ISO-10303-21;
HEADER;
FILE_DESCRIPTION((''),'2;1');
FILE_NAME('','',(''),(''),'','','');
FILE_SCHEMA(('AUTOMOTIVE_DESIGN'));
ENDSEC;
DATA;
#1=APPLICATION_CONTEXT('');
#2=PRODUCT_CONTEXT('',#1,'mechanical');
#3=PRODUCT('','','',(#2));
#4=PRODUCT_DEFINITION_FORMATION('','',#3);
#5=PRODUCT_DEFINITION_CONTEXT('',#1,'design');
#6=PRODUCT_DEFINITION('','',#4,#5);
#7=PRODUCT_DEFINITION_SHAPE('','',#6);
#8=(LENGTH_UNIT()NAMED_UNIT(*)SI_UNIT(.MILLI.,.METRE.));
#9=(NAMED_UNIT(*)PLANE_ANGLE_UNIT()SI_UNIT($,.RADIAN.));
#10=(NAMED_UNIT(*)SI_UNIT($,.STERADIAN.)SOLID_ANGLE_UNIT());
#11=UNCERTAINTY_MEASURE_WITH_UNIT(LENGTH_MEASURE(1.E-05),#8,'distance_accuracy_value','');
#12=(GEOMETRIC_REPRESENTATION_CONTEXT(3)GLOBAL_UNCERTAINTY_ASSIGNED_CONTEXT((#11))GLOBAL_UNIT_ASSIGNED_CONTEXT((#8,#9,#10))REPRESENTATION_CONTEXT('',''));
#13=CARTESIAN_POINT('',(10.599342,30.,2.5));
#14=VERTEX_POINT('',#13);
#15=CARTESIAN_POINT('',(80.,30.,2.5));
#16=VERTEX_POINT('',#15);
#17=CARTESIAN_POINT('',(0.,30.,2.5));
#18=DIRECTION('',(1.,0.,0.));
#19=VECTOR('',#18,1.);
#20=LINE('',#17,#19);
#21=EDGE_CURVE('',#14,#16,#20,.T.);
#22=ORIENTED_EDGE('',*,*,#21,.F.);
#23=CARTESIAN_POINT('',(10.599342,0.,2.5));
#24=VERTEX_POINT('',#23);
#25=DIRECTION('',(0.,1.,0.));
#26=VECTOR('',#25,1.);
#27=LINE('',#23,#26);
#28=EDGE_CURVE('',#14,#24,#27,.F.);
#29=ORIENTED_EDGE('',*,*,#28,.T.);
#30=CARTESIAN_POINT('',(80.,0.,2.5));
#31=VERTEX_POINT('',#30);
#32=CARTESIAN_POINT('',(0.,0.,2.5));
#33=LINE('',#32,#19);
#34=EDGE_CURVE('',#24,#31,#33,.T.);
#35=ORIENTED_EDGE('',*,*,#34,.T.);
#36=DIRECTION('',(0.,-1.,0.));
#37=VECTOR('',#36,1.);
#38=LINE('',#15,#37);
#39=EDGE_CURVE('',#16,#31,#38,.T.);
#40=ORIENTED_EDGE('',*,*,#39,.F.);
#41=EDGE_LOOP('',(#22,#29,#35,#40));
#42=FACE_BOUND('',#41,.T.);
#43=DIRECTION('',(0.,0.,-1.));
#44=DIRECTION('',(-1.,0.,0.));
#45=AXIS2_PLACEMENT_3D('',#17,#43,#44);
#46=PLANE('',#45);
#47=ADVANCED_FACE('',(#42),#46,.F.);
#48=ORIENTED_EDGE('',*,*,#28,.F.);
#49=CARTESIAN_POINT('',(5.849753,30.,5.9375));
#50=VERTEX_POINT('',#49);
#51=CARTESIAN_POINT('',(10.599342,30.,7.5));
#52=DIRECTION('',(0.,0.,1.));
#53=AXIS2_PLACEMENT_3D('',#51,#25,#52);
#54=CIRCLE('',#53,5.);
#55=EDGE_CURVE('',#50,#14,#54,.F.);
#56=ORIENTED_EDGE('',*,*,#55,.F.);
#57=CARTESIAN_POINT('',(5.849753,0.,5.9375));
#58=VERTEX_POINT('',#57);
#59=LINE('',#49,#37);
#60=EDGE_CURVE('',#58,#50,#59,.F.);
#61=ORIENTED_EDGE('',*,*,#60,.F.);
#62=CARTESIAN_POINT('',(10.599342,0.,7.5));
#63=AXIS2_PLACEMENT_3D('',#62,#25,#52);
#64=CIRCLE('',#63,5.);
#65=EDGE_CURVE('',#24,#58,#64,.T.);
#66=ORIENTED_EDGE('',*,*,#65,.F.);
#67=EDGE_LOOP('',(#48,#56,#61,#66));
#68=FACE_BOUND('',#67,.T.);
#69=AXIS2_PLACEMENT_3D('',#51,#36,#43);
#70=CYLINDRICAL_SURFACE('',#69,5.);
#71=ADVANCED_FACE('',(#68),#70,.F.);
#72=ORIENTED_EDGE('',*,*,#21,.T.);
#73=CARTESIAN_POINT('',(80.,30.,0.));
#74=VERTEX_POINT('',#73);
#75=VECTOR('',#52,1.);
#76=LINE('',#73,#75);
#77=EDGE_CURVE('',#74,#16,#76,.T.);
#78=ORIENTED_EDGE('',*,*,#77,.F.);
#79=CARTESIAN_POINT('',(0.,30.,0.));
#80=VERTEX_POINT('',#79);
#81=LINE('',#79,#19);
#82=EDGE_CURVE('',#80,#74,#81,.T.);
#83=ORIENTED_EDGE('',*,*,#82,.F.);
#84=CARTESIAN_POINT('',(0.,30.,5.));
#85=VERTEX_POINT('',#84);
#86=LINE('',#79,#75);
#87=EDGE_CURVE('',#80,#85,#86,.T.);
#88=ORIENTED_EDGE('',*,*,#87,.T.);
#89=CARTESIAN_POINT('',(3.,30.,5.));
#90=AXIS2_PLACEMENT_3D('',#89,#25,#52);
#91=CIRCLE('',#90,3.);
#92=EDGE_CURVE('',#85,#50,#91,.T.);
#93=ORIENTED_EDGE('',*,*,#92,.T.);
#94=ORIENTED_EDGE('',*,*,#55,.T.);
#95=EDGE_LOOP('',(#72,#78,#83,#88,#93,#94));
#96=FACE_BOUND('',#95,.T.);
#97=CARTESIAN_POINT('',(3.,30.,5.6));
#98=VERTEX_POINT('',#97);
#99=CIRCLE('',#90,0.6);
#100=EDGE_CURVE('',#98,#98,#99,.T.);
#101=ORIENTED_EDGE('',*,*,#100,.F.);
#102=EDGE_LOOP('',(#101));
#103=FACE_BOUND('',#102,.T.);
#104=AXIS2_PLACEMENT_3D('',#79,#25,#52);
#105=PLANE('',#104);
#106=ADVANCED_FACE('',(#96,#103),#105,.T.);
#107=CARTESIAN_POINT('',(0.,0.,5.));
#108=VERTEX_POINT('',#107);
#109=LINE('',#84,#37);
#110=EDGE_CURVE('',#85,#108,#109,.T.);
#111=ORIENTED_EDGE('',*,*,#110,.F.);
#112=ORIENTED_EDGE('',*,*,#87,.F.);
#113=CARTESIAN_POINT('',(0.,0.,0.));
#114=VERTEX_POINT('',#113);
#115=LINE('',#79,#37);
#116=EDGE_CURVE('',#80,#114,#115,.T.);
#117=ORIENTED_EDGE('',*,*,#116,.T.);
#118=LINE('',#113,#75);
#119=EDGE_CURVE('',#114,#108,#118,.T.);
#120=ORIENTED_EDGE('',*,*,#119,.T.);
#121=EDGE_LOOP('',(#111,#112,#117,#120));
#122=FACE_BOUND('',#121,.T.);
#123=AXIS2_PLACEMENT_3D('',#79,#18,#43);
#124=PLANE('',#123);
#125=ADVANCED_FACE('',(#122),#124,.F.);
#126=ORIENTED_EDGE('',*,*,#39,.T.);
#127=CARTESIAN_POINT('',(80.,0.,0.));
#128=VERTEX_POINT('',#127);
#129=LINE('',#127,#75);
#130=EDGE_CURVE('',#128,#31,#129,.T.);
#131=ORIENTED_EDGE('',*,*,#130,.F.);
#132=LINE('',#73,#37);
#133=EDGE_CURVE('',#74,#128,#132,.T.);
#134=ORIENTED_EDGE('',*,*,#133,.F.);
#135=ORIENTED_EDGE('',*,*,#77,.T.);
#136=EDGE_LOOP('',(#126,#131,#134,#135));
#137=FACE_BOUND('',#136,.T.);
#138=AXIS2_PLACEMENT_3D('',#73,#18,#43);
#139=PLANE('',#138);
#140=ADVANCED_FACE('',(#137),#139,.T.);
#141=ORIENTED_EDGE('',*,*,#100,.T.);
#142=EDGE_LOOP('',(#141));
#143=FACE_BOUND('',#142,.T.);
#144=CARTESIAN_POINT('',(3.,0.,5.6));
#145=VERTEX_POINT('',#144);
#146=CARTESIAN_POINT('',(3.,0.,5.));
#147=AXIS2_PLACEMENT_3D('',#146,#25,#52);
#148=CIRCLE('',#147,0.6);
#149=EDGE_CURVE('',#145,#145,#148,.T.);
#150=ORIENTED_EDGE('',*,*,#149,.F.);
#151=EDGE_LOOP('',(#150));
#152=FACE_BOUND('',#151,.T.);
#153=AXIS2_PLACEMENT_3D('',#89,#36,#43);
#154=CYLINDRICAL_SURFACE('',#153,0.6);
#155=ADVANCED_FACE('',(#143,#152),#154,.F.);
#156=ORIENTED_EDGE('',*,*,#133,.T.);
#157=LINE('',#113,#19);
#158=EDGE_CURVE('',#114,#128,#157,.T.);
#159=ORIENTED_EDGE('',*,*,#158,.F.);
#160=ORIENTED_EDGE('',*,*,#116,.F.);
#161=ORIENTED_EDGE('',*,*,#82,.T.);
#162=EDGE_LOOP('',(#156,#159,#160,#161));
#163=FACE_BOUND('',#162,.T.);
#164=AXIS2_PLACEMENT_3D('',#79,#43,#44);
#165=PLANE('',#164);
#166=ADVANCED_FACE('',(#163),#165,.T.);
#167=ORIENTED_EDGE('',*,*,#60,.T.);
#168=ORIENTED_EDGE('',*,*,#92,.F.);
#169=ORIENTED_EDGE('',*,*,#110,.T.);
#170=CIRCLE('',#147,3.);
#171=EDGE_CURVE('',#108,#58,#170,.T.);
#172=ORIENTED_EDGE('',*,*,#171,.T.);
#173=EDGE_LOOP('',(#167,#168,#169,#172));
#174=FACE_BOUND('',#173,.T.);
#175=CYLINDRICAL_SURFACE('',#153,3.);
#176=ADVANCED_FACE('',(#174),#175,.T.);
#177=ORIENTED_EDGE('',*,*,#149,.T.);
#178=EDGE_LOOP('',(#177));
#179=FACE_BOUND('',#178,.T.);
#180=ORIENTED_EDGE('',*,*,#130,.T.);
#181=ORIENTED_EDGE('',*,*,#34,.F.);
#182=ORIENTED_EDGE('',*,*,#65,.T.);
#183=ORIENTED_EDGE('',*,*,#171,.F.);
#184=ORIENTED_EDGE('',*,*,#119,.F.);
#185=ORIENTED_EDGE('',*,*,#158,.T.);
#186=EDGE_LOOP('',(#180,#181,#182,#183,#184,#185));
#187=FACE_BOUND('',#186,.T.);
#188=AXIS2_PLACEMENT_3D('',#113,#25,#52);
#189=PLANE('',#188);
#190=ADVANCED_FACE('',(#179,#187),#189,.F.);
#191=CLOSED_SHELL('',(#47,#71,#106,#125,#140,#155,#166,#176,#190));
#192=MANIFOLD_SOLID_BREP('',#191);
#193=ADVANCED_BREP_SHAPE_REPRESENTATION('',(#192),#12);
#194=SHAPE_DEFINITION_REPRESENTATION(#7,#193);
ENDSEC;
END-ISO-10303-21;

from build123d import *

# Parameters (mm, degrees)
BOSS_EXTRUDE1_DEPTH = 30
FILLET1_R           = 5


with BuildPart() as part:
    # Sketch1 → Boss-Extrude1 (new body)
    with BuildSketch(Plane(origin=(0, 0, 0), x_dir=(1, 0, 0), z_dir=(0, 1, 0))):
        with BuildLine():
            Line((80, 0), (3, 0))
            Line((3, 0), (3, -2))
            ThreePointArc((3, -2), (3.866025404, -2.127718677), (4.658312395, -2.5))
            Line((4.658312395, -2.5), (80, -2.5))
            Line((80, -2.5), (80, 0))
        make_face()
        with BuildLine():
            Line((3, -2), (3, 0))
            Line((3, 0), (0, 0))
            Line((0, 0), (0, -2.5))
            Line((0, -2.5), (1.341687605, -2.5))
            ThreePointArc((1.341687605, -2.5), (2.133974596, -2.127718677), (3, -2))
        make_face()
        with BuildLine():
            ThreePointArc((0, -5), (0.356617963, -3.581362835), (1.341687605, -2.5))
            Line((1.341687605, -2.5), (0, -2.5))
            Line((0, -2.5), (0, -5))
        make_face()
        with BuildLine():
            Line((3, -4.4), (3, -2.5))
            Line((3, -2.5), (0, -5))
            ThreePointArc((0, -5), (0.878679656, -7.121320344), (3, -8))
            Line((3, -8), (3, -5.6))
            ThreePointArc((3, -5.6), (2.4, -5), (3, -4.4))
        make_face()
        with BuildLine():
            Line((4.658312395, -2.5), (3, -2.5))
            Line((3, -2.5), (3, -4.4))
            ThreePointArc((3, -4.4), (3.424264069, -4.575735931), (3.6, -5))
            ThreePointArc((3.6, -5), (3.424264069, -5.424264069), (3, -5.6))
            Line((3, -5.6), (3, -8))
            ThreePointArc((3, -8), (5.121320344, -7.121320344), (6, -5))
            ThreePointArc((6, -5), (5.643382037, -3.581362835), (4.658312395, -2.5))
        make_face()
        with BuildLine():
            Line((0, -5), (3, -2.5))
            Line((3, -2.5), (1.341687605, -2.5))
            ThreePointArc((1.341687605, -2.5), (0.356617963, -3.581362835), (0, -5))
        make_face()
        with BuildLine():
            Line((3, -2.5), (3, -2))
            ThreePointArc((3, -2), (2.133974596, -2.127718677), (1.341687605, -2.5))
            Line((1.341687605, -2.5), (3, -2.5))
        make_face()
        with BuildLine():
            ThreePointArc((4.658312395, -2.5), (3.866025404, -2.127718677), (3, -2))
            Line((3, -2), (3, -2.5))
            Line((3, -2.5), (4.658312395, -2.5))
        make_face()
    extrude(amount=BOSS_EXTRUDE1_DEPTH)

    # Fillet1
    fillet1_edges = [part.edges().sort_by_distance(p)[0] for p in [
        (4.658312395, 15, 2.5),
    ]]
    fillet(fillet1_edges, radius=FILLET1_R)


solid = part.part
